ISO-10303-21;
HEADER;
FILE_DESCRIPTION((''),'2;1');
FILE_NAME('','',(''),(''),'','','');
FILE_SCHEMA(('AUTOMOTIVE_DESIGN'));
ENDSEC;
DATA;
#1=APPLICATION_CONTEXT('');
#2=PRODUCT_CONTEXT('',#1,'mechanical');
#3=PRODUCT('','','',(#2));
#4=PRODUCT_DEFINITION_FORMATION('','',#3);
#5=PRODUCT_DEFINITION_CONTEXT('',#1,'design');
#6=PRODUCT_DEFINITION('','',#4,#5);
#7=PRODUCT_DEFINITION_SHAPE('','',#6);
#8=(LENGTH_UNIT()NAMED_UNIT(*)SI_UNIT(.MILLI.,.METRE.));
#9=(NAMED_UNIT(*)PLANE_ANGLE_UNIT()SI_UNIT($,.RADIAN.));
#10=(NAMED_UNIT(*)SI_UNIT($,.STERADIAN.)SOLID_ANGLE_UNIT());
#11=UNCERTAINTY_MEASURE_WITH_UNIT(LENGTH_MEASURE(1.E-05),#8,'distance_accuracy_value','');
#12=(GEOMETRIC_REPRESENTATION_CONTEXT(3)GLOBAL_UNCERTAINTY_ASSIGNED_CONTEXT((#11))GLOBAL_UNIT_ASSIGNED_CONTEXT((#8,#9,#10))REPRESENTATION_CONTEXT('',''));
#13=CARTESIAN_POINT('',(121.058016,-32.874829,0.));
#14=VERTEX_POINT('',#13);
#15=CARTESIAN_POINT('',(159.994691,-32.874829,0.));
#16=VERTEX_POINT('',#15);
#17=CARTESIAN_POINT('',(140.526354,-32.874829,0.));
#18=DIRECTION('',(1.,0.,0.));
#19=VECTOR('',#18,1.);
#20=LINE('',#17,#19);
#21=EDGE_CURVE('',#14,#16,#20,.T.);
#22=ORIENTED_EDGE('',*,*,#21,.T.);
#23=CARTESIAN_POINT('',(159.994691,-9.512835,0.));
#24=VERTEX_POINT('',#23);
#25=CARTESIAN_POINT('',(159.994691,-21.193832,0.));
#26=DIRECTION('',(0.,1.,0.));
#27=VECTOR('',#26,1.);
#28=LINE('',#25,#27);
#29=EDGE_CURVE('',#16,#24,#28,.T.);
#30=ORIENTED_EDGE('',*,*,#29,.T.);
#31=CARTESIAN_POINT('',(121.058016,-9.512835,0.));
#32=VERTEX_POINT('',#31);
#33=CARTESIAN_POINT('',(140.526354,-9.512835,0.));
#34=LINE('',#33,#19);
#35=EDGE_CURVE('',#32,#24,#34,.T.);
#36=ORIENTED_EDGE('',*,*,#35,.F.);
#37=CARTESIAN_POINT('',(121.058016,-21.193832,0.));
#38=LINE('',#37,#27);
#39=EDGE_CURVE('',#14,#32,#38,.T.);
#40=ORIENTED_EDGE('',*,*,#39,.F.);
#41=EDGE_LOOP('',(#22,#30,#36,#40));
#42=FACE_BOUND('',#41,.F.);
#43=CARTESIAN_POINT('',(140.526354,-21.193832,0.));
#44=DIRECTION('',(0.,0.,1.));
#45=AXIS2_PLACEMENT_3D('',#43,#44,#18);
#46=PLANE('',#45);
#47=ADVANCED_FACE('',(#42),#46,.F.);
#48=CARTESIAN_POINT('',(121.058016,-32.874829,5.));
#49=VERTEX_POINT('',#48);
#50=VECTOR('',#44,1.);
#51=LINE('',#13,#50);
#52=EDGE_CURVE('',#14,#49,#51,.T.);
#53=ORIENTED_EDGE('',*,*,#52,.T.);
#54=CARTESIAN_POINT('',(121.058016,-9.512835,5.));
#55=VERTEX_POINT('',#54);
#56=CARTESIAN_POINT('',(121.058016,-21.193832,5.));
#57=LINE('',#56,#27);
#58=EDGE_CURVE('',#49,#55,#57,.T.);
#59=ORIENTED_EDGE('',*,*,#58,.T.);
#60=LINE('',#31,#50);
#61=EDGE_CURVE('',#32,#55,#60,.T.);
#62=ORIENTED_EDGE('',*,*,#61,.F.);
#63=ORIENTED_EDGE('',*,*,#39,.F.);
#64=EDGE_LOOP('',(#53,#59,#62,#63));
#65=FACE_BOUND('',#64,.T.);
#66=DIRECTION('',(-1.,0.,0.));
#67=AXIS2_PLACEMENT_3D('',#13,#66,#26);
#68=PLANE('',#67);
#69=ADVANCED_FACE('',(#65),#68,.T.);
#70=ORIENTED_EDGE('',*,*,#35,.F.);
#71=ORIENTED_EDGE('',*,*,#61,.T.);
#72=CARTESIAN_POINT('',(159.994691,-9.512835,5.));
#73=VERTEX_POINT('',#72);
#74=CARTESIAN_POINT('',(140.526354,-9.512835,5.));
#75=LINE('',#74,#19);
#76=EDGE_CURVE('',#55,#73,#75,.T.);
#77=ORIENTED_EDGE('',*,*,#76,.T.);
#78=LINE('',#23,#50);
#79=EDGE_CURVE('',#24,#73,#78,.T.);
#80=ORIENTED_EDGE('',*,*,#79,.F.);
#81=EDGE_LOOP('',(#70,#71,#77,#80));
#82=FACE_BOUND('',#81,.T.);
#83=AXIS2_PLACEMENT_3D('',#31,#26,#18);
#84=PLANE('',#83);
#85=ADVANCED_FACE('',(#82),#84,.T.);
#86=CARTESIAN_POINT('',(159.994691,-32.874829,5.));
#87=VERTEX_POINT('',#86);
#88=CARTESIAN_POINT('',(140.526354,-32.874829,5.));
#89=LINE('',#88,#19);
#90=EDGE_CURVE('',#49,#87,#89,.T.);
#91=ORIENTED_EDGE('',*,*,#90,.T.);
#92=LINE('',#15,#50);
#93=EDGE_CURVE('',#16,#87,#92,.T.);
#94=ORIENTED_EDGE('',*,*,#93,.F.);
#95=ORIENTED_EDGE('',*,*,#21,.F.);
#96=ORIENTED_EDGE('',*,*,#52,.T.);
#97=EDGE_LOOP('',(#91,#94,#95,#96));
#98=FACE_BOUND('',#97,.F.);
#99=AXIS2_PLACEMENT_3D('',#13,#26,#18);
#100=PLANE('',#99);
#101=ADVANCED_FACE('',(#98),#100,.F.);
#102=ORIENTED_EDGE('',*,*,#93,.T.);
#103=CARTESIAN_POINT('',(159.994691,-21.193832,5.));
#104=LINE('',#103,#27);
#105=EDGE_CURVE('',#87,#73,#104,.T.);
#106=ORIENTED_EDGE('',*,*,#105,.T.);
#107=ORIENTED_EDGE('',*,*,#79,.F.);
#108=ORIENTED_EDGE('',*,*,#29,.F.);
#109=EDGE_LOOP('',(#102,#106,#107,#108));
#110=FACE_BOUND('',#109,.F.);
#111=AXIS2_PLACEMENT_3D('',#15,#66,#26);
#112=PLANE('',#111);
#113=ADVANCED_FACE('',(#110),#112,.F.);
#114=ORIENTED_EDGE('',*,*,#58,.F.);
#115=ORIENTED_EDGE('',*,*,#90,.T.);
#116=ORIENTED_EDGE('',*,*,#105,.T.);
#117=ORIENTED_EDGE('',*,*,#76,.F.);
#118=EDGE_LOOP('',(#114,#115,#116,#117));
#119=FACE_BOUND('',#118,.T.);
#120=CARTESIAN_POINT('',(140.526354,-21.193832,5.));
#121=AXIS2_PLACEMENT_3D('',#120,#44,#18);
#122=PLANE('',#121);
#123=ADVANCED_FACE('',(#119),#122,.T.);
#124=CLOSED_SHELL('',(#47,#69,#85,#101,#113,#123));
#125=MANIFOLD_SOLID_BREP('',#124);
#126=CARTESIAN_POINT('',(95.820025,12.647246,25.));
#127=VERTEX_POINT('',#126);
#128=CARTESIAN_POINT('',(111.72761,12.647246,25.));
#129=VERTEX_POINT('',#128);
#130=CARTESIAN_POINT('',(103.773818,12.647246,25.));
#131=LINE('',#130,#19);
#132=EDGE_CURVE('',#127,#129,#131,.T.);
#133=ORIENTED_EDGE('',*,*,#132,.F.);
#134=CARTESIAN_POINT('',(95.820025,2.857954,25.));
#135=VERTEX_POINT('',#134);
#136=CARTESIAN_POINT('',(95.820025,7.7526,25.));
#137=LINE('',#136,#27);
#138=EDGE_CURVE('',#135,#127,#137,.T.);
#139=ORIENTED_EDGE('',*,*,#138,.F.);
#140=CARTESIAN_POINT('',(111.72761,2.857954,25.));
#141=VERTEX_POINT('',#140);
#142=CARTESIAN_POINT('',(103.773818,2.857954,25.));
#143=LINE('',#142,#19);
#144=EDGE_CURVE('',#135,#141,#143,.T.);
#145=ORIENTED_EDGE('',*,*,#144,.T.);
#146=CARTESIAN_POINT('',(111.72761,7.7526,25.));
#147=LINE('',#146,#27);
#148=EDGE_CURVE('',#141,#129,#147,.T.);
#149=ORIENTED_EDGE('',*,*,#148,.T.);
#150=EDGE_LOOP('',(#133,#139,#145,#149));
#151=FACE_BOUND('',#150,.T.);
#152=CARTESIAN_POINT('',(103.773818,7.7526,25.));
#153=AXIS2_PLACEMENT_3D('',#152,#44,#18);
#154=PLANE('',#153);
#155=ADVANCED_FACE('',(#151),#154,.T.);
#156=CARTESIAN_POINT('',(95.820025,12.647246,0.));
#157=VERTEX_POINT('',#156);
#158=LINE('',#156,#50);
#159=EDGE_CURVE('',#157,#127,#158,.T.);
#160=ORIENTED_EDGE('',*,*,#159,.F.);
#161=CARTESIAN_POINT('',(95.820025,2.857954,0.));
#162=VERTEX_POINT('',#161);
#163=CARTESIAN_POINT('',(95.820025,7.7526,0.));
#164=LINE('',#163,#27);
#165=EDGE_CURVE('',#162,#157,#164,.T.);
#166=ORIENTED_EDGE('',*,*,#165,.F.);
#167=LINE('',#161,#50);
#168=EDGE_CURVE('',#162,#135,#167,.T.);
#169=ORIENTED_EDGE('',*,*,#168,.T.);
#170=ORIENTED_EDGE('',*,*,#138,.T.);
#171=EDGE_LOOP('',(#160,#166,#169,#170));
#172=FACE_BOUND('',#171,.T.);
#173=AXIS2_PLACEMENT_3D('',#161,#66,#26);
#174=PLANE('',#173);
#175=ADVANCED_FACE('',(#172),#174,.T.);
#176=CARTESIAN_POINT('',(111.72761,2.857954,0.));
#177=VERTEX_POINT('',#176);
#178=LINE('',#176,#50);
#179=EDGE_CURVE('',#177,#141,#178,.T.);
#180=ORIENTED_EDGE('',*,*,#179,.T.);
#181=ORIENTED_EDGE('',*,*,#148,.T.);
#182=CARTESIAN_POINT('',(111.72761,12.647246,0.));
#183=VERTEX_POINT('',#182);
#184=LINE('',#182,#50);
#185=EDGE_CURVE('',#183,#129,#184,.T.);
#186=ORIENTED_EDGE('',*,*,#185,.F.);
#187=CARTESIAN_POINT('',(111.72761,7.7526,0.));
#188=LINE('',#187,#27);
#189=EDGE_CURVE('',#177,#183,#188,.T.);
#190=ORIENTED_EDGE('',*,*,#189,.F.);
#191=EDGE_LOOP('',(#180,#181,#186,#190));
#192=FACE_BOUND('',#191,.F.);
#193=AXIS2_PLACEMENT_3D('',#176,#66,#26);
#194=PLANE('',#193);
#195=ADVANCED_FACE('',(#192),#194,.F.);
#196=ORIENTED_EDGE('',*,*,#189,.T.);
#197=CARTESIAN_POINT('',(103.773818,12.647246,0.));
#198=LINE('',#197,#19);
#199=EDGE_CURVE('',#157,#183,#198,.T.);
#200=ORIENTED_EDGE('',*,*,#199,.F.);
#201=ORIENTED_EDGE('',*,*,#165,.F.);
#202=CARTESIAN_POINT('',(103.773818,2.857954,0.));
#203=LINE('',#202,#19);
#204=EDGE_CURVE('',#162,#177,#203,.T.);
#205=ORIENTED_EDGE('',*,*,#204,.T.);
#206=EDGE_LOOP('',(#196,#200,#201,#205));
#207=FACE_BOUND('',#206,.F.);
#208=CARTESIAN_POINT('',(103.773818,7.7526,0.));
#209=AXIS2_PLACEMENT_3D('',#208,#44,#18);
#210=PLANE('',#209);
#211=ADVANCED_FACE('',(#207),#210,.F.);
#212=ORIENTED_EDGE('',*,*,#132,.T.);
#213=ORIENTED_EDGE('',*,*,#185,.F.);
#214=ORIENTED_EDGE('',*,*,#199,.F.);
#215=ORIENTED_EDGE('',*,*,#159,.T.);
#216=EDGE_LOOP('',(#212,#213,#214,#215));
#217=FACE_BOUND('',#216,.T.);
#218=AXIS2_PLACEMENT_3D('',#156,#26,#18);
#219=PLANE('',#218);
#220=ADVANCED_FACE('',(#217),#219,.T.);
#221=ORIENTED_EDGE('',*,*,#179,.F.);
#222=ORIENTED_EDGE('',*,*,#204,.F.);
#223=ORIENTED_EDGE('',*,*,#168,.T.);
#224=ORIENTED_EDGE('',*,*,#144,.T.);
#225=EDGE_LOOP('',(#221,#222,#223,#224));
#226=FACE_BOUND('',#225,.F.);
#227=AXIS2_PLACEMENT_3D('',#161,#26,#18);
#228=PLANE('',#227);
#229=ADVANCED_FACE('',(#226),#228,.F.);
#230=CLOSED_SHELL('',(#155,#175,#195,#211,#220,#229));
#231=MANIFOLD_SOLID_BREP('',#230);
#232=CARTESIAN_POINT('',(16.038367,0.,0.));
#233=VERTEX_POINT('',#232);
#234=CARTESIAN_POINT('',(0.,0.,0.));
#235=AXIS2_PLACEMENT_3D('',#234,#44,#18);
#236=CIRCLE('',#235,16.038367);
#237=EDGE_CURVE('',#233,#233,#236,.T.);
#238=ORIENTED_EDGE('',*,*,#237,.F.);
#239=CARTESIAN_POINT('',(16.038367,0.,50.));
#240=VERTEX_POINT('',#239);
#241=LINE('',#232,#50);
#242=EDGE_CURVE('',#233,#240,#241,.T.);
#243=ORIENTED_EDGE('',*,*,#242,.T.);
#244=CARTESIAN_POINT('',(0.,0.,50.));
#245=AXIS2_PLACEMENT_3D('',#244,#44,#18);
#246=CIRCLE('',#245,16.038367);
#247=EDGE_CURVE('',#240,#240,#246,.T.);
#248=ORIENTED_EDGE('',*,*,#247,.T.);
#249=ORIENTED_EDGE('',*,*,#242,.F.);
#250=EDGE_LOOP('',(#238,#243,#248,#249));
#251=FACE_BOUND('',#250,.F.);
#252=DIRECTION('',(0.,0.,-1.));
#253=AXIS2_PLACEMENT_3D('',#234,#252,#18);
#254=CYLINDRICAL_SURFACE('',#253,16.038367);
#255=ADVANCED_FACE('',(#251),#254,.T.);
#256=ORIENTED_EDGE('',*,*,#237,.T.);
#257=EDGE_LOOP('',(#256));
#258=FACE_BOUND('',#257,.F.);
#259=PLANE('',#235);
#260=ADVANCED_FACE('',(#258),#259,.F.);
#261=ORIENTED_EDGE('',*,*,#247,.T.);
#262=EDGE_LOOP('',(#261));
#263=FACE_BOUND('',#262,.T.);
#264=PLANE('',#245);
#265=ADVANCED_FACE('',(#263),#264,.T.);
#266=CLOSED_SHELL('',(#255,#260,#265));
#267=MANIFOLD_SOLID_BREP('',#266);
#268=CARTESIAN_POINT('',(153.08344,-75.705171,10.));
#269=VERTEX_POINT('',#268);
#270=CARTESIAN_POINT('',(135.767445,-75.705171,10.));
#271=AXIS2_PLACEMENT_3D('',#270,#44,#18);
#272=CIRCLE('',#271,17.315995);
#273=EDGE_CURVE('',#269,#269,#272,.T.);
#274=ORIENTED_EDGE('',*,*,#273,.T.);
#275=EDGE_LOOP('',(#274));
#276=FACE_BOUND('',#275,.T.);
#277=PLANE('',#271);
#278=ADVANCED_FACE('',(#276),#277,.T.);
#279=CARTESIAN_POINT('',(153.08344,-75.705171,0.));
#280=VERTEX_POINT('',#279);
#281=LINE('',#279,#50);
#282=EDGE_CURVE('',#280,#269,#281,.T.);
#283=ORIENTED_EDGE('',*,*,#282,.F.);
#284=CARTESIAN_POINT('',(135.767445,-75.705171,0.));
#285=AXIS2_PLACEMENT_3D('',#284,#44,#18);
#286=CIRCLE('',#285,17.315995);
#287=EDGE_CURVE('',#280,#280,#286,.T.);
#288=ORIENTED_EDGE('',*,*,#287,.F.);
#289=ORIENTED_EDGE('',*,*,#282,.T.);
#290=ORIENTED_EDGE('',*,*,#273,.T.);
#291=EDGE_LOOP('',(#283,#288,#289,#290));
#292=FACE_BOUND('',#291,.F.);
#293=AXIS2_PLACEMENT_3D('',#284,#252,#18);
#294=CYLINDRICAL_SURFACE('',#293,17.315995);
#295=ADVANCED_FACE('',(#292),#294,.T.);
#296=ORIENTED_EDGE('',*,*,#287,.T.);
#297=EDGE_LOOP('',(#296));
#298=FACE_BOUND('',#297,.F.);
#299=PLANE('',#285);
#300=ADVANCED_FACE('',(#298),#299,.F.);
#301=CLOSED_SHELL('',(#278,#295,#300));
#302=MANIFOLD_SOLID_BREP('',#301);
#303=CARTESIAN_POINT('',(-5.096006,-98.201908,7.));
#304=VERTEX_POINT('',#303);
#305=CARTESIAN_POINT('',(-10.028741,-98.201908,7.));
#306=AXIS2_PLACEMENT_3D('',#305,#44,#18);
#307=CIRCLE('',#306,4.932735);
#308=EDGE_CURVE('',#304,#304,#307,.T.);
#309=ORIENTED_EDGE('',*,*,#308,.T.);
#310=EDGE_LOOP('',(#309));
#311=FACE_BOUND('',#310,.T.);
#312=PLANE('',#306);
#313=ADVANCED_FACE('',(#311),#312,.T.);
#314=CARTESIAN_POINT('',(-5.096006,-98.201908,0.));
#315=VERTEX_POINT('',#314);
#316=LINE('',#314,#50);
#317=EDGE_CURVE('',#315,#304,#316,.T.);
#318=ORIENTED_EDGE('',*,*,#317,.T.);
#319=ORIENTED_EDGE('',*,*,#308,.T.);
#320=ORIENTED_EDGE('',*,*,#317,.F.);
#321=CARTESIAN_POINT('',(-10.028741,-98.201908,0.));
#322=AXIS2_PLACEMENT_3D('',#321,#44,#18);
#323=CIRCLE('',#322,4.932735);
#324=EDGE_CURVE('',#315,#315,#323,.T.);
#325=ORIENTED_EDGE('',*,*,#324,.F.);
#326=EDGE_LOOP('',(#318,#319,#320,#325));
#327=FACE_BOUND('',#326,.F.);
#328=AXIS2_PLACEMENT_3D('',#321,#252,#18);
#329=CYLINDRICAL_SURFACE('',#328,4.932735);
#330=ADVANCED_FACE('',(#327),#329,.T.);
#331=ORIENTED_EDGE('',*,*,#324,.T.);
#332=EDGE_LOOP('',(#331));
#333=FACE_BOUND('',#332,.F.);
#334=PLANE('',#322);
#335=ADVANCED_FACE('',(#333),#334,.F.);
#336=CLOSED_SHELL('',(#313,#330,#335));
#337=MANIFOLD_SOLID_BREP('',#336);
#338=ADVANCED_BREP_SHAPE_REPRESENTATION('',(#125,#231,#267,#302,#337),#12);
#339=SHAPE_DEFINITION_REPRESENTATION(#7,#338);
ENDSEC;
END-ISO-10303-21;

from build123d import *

# Parameters (mm, degrees)
F0_R     = 16.038367
F1_DEPTH = 50
F2_R     = 17.315995
F3_DEPTH = 10
F4_R     = 4.932735
F5_DEPTH = 7
F6_W     = 38.936675
F6_H     = 23.361994
F7_DEPTH = 5
F8_W     = 15.907585
F8_H     = 9.789292
F9_DEPTH = 25


with BuildPart() as f1:
    # F0 (on Top) → F1 (new body)
    with BuildSketch(Plane.XY):
        Circle(F0_R)
    extrude(amount=F1_DEPTH)


with BuildPart() as f3:
    # F2 (on Top) → F3 (new body)
    with BuildSketch(Plane.XY):
        with Locations((135.767445, -75.705171)):
            Circle(F2_R)
    extrude(amount=F3_DEPTH)


with BuildPart() as f5:
    # F4 (on Top) → F5 (new body)
    with BuildSketch(Plane.XY):
        with Locations((-10.028741, -98.201908)):
            Circle(F4_R)
    extrude(amount=F5_DEPTH)


with BuildPart() as f7:
    # F6 (on Top) → F7 (new body)
    with BuildSketch(Plane.XY):
        with Locations((140.526354, -21.193832)):
            Rectangle(F6_W, F6_H)
    extrude(amount=F7_DEPTH)


with BuildPart() as f9:
    # F8 (on Top) → F9 (new body)
    with BuildSketch(Plane.XY):
        with Locations((103.773818, 7.7526)):
            Rectangle(F8_W, F8_H)
    extrude(amount=F9_DEPTH)


solid = Compound([f1.part, f3.part, f5.part, f7.part, f9.part])
